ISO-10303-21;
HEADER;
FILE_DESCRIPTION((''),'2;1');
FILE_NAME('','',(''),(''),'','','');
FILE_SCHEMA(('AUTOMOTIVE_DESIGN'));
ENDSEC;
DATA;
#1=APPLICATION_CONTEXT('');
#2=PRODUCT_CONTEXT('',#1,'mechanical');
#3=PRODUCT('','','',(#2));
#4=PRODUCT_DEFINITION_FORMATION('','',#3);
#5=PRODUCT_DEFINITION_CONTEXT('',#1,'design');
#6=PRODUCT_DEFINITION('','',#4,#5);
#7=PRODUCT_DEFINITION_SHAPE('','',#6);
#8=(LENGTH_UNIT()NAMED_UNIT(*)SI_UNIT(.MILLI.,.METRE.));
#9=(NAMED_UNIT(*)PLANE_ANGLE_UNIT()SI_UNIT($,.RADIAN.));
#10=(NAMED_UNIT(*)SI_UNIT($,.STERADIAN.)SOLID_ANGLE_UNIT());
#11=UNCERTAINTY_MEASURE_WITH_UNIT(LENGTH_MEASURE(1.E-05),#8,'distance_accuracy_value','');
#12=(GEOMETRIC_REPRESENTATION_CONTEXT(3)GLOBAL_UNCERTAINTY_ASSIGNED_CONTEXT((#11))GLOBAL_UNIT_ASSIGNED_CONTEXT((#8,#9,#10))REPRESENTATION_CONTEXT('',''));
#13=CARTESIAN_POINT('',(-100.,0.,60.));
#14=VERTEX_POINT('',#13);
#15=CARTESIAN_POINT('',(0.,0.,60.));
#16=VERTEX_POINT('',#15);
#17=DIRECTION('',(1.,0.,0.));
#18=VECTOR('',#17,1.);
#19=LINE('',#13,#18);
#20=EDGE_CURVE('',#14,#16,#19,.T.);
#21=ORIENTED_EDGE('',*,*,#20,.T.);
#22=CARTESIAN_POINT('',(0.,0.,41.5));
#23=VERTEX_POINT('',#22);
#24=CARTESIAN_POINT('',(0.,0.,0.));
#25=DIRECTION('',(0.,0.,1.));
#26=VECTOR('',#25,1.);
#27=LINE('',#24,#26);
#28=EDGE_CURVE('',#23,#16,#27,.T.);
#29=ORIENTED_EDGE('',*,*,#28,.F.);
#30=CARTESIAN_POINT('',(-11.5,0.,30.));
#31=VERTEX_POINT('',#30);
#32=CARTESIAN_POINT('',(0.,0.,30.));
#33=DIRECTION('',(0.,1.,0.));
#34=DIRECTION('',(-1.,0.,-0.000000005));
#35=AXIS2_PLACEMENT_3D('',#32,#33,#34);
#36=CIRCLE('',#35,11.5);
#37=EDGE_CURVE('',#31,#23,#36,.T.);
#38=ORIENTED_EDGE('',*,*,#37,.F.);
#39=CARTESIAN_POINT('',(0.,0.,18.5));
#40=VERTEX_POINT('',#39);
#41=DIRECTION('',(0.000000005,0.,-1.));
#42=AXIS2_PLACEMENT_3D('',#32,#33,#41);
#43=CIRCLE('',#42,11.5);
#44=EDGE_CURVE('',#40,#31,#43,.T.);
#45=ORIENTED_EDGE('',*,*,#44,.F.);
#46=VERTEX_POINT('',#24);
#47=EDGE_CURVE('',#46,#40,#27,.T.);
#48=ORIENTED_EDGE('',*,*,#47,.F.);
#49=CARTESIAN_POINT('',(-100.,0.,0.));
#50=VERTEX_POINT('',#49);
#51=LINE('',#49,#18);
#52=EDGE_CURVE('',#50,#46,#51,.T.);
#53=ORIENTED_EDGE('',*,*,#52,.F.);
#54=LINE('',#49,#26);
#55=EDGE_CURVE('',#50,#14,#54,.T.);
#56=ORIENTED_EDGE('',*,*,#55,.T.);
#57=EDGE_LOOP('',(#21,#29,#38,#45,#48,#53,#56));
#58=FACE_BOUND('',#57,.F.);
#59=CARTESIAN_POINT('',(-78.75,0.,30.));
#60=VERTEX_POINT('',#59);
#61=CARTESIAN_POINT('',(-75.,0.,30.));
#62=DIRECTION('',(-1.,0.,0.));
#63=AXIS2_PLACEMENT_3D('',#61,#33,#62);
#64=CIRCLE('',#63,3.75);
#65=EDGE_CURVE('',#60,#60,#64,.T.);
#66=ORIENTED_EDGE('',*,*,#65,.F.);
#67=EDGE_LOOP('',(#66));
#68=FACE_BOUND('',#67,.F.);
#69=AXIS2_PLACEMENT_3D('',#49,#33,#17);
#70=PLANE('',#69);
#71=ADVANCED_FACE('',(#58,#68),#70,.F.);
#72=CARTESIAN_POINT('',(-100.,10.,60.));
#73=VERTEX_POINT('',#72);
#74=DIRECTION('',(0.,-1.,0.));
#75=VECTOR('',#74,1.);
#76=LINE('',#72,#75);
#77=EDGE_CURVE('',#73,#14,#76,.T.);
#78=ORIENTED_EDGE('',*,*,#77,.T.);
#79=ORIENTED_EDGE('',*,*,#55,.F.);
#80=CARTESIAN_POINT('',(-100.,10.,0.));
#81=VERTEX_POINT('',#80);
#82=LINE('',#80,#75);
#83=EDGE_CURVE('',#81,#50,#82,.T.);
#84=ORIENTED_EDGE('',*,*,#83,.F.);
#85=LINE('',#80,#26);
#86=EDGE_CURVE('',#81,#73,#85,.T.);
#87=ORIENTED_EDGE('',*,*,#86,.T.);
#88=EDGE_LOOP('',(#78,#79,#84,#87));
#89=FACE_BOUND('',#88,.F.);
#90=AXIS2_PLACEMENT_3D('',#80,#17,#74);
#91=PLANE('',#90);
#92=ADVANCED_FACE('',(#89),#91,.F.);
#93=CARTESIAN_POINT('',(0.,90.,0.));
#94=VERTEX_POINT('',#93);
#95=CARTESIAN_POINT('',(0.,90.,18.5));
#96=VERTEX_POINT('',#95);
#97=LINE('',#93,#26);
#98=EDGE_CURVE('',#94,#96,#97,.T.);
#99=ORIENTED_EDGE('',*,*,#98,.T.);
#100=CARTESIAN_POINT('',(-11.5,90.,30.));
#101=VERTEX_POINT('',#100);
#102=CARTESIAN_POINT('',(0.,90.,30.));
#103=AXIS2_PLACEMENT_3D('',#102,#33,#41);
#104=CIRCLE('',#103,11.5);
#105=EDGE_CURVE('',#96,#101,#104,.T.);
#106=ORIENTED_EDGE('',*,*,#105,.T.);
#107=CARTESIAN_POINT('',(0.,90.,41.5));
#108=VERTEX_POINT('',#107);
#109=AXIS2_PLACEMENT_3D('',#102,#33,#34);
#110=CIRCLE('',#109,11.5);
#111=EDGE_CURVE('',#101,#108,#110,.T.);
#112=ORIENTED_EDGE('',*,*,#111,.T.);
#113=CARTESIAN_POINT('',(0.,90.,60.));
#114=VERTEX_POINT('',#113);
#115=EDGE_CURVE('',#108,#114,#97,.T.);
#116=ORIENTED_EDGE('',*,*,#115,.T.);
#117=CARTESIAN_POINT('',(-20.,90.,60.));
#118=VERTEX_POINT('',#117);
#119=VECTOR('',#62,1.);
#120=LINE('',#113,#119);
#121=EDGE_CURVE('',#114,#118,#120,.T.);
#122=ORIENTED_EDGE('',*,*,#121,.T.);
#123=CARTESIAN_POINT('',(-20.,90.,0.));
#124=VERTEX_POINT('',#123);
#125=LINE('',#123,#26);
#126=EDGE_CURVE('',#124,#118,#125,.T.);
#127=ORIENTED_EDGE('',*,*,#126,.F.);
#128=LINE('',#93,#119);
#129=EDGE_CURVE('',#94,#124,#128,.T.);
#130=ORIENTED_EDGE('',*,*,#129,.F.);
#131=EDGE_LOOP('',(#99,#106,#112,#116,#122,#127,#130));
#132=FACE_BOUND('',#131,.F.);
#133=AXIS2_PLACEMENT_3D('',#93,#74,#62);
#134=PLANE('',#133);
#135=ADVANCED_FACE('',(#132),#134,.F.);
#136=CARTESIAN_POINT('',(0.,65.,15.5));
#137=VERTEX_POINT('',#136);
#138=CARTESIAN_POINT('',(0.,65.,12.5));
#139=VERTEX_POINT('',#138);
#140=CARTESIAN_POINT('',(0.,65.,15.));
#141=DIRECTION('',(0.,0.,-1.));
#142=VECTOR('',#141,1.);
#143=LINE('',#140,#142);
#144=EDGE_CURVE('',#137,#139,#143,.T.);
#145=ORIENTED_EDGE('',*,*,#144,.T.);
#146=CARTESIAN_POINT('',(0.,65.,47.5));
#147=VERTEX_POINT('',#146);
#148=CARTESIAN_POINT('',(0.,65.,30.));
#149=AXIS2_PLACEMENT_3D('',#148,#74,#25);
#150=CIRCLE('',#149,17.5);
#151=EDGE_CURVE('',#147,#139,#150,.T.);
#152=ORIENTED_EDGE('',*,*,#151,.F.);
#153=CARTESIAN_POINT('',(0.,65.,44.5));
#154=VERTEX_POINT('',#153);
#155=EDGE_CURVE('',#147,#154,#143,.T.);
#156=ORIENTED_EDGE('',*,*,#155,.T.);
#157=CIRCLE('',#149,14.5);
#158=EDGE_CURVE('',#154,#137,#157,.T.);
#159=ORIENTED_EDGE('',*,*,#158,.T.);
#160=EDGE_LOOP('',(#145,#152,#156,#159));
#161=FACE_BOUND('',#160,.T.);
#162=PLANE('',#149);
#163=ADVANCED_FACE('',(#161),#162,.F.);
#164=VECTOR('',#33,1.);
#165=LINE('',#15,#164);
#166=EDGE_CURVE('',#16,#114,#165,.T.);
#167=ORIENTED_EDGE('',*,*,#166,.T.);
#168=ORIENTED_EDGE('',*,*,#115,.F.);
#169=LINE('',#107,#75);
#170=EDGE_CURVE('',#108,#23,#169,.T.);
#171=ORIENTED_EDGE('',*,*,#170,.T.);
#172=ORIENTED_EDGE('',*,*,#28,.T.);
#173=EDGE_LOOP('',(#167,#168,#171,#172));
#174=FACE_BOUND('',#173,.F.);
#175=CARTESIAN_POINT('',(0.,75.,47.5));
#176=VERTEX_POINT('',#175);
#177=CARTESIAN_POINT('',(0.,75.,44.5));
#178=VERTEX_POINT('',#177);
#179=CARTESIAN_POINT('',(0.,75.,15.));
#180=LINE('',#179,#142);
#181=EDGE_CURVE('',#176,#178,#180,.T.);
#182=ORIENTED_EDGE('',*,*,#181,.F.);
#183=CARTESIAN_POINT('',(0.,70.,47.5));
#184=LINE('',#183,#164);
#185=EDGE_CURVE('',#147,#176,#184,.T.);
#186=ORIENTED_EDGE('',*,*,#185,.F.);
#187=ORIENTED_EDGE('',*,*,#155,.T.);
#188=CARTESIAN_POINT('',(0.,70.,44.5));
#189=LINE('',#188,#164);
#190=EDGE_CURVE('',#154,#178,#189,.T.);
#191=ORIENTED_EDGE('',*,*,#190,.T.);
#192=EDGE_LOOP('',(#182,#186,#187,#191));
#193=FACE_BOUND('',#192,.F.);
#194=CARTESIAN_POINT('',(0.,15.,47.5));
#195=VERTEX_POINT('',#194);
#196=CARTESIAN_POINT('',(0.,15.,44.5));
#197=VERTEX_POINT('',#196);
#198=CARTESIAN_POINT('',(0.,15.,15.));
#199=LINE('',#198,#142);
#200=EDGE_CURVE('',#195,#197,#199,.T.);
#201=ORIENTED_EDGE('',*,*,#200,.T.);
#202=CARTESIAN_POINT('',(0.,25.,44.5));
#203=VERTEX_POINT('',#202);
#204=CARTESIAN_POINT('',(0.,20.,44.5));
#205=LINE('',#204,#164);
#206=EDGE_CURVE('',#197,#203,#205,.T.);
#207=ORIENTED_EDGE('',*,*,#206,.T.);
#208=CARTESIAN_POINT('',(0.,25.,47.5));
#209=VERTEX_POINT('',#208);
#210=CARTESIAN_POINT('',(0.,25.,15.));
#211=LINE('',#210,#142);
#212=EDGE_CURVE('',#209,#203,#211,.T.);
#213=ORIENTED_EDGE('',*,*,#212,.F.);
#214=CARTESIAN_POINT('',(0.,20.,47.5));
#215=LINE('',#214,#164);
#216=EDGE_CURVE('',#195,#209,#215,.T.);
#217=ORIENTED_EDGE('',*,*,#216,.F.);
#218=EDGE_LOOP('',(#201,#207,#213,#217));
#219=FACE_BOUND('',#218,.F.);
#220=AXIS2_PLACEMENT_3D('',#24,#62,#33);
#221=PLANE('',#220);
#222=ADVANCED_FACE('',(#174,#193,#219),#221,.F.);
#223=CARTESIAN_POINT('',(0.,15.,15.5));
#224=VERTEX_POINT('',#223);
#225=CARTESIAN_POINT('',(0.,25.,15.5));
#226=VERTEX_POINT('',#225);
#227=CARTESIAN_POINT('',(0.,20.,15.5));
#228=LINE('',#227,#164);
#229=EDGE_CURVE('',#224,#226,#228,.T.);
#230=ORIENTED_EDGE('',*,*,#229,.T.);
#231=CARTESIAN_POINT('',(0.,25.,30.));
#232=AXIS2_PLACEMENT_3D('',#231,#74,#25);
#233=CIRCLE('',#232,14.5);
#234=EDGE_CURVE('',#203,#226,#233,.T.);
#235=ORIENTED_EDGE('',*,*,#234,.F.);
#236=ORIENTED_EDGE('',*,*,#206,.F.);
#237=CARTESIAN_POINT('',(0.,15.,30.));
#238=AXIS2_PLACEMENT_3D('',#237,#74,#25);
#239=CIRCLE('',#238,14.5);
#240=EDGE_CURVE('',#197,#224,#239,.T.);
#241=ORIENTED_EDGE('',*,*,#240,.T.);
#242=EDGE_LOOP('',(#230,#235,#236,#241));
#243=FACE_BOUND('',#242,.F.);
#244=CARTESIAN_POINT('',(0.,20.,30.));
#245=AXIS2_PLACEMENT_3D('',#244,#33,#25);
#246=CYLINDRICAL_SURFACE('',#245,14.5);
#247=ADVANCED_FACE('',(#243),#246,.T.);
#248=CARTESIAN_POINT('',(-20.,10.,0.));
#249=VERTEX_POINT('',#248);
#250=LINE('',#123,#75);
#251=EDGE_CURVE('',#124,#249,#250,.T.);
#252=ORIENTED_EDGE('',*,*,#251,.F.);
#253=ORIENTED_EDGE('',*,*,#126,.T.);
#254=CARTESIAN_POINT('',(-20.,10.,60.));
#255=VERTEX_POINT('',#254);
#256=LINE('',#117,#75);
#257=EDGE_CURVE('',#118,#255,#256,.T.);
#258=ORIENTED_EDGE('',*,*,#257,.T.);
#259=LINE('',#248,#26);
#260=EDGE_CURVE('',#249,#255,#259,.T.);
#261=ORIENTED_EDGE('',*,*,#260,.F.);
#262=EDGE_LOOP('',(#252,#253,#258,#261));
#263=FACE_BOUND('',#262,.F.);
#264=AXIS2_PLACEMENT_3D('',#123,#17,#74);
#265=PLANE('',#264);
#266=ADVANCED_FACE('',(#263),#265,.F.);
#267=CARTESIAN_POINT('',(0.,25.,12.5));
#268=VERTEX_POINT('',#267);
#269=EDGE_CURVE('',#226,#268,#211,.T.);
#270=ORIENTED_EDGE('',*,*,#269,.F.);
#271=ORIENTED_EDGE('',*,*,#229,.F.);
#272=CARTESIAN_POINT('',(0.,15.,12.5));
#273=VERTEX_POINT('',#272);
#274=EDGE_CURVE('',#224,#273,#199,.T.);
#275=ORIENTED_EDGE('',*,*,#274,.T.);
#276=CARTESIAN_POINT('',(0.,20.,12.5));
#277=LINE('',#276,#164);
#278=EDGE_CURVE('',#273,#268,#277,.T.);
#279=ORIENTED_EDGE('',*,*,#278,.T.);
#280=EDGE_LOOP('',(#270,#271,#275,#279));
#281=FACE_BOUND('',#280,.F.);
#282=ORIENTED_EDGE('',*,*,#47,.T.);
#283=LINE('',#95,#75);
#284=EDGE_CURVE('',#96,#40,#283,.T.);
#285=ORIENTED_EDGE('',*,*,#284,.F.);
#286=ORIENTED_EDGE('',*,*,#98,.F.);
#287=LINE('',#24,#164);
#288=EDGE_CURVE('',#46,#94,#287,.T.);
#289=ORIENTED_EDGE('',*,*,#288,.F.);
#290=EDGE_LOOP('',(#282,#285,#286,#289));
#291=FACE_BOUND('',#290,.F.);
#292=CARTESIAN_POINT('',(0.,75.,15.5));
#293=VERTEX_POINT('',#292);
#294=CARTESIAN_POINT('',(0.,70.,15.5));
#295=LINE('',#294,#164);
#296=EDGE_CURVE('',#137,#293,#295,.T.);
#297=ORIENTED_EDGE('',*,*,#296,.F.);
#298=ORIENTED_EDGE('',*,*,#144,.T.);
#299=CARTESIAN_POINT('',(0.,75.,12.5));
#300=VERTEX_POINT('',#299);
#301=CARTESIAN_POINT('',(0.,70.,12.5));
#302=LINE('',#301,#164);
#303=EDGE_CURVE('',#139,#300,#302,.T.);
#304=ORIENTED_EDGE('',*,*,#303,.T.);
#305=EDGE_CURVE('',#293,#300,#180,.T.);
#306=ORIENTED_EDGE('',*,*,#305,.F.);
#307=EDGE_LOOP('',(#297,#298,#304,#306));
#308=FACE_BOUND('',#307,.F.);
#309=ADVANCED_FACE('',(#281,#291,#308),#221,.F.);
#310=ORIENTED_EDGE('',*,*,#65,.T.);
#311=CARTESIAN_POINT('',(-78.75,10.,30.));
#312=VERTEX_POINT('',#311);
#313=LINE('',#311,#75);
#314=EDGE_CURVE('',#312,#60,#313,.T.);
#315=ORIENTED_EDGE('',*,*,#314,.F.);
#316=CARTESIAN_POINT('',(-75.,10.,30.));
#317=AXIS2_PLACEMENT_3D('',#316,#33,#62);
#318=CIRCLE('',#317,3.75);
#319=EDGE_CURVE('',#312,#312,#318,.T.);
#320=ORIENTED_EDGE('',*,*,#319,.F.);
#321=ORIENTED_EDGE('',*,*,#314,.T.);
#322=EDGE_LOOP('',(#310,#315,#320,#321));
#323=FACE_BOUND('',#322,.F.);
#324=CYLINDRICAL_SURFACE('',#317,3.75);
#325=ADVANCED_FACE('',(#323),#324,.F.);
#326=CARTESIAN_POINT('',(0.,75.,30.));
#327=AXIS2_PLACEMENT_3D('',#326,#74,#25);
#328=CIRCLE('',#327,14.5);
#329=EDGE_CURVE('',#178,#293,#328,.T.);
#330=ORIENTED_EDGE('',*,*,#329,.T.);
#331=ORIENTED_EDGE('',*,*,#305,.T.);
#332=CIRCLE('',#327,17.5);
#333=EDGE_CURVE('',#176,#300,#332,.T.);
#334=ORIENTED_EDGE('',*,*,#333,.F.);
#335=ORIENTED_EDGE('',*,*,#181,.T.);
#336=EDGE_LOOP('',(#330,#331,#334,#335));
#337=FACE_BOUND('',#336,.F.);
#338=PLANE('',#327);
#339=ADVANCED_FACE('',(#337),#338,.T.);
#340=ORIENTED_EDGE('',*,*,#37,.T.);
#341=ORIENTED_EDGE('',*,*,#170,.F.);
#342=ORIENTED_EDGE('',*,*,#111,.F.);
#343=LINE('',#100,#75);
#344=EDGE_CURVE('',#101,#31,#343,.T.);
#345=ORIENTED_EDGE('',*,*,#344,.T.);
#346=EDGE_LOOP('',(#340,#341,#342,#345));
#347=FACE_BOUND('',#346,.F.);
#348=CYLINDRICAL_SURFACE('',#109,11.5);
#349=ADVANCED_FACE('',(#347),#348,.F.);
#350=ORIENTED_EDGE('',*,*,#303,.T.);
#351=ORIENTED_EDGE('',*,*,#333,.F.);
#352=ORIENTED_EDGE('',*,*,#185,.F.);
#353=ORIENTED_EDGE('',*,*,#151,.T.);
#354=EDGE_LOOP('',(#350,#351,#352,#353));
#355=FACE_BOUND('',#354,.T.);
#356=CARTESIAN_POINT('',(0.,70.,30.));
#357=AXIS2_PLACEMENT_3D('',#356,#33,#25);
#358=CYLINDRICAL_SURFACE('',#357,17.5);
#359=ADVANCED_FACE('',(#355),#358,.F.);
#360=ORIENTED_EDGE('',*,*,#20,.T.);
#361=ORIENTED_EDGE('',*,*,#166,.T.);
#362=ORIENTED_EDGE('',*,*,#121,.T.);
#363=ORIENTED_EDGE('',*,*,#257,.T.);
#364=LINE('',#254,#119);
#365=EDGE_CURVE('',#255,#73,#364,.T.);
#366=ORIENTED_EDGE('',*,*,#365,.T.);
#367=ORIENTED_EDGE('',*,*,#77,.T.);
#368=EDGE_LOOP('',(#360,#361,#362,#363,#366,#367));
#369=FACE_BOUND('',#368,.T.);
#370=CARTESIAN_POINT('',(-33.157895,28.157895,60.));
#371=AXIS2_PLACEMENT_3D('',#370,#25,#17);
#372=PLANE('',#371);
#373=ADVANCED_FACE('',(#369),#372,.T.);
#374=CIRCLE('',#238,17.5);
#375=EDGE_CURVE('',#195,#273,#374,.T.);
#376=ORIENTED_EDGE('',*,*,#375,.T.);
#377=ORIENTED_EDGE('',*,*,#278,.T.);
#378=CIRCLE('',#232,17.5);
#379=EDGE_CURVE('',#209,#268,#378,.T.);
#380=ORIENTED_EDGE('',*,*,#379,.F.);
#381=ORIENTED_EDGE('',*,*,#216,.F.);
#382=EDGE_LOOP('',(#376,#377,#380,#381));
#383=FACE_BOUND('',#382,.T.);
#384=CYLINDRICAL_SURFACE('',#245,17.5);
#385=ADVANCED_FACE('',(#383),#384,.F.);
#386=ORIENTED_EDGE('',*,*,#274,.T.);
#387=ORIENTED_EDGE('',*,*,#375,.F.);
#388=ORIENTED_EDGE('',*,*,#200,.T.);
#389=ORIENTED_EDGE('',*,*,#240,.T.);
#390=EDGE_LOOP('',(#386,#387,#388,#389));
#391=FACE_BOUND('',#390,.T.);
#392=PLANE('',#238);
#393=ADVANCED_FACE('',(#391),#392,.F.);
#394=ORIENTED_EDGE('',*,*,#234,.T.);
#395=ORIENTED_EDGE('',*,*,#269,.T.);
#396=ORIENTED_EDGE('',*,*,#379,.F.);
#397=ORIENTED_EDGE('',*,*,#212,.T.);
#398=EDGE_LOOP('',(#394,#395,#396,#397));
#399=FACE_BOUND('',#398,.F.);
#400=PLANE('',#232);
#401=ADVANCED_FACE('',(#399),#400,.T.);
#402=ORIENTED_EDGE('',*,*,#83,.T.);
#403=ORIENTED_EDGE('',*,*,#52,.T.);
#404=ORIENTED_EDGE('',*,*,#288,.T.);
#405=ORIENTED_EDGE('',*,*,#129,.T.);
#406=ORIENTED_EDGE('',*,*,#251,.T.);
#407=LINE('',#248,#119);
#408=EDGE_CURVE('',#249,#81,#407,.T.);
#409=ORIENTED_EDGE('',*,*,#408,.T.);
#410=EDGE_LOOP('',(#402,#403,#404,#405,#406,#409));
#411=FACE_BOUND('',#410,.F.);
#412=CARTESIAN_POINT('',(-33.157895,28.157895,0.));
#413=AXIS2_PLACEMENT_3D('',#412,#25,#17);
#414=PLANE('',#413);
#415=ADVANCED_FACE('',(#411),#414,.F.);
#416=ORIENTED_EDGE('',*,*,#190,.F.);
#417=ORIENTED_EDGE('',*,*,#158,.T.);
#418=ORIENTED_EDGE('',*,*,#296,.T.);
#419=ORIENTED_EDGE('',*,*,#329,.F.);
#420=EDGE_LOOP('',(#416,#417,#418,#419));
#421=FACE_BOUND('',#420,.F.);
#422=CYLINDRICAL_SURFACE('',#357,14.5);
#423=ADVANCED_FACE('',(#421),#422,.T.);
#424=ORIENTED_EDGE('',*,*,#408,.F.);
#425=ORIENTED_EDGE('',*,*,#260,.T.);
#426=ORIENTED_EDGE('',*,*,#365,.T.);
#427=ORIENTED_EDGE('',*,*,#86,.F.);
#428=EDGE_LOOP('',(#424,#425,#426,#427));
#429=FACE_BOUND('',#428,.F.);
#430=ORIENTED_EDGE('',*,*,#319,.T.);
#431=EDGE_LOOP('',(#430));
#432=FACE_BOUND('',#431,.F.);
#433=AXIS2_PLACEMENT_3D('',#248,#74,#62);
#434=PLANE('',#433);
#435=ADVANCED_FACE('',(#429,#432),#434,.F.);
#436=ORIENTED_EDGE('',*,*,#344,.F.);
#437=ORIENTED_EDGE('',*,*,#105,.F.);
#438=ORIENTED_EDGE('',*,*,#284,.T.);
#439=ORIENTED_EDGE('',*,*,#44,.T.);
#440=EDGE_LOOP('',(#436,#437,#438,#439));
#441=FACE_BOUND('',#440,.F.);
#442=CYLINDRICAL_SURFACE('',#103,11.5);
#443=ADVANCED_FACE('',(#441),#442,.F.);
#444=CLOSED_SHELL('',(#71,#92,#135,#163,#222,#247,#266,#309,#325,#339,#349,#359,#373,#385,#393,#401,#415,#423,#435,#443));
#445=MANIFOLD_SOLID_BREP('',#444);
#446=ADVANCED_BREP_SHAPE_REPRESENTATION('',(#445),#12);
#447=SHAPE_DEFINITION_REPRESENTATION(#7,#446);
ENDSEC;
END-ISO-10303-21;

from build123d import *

# Parameters (mm, degrees)
F1_DEPTH = 60
F3_DEPTH = 90.001
F4_R     = 3.75
F5_DEPTH = 10.001
F6_W     = 10
F6_H     = 3


with BuildPart() as f1:
    # F0 (on Top) → F1 (new body)
    with BuildSketch(Plane.XY):
        Polygon((-100, 0), (0, 0), (0, 90), (-20, 90), (-20, 10), (-100, 10), align=None)
    extrude(amount=F1_DEPTH)

    # F2 (on face) → F3 (cut, through all)
    with BuildSketch(Plane(origin=(0, 90, 0), x_dir=(-1, 0, 0), z_dir=(0, 1, 0))):
        with BuildLine():
            ThreePointArc((0, 18.5), (8.131728, 21.868272), (11.5, 30))
            ThreePointArc((11.5, 30), (8.131728, 38.131728), (0, 41.5))
            Line((0, 41.5), (0, 18.5))
        make_face()
    extrude(amount=-F3_DEPTH, mode=Mode.SUBTRACT)

    # F4 (on face) → F5 (cut, through all)
    with BuildSketch(Plane(origin=(0, 10, 0), x_dir=(-1, 0, 0), z_dir=(0, 1, 0))):
        with Locations((75, 30)):
            Circle(F4_R)
    extrude(amount=-F5_DEPTH, mode=Mode.SUBTRACT)

    # F6 (on face) → F7 (revolve, cut)
    with BuildSketch(Plane.YZ):
        with Locations((70, 46)):
            Rectangle(F6_W, F6_H)
        with Locations((20, 46)):
            Rectangle(F6_W, F6_H)
    revolve(axis=Axis((0, 45, 30), (0, -1, 0)), mode=Mode.SUBTRACT)


solid = f1.part
